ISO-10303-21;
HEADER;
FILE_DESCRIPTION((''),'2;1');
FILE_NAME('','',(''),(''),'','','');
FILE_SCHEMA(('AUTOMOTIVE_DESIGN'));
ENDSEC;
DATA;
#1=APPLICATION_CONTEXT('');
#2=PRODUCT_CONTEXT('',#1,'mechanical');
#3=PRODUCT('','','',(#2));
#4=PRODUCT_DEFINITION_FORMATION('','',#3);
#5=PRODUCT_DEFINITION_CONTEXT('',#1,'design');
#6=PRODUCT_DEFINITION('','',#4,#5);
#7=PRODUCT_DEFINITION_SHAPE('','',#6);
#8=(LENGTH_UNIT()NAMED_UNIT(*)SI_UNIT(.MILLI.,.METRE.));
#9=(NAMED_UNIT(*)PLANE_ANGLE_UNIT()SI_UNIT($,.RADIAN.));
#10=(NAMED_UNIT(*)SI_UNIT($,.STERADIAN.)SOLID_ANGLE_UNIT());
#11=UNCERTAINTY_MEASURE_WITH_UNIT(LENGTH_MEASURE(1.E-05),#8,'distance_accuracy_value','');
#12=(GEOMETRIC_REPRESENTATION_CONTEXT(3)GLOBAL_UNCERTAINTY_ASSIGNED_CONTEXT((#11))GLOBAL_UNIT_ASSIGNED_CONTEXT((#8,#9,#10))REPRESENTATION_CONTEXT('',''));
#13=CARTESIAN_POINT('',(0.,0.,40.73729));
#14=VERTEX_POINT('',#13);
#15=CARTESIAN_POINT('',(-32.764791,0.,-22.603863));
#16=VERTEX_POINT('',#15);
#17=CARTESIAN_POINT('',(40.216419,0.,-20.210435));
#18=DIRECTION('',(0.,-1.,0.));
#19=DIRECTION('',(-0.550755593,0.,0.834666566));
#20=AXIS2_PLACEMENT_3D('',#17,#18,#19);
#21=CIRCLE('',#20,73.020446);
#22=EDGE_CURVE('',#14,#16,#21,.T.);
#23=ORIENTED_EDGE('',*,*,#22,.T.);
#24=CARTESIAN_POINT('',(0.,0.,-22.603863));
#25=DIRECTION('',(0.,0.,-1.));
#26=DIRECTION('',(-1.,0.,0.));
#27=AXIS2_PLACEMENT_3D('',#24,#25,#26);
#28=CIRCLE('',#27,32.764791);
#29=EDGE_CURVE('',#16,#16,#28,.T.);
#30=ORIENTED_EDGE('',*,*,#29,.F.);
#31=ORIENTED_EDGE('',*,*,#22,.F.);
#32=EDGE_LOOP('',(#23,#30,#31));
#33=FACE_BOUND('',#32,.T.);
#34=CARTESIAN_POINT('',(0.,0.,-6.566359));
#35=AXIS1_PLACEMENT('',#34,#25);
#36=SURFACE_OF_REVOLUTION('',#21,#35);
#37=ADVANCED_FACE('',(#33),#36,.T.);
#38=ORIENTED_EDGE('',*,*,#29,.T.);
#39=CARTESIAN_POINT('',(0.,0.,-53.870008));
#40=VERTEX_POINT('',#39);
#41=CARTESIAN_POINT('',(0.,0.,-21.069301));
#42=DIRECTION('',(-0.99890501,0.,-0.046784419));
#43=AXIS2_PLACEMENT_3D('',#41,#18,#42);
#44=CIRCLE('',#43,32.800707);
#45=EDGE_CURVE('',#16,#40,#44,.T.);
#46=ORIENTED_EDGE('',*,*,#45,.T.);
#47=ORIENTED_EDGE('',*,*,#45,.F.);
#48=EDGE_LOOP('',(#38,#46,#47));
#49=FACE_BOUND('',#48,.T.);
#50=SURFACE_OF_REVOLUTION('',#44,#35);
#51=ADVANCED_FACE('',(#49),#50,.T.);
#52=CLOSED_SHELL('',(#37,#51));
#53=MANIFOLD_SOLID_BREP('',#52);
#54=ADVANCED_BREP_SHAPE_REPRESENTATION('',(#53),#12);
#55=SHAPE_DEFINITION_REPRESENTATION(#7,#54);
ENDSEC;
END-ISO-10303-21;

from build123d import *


with BuildPart() as f1:
    # F0 (on Front) → F1 (revolve)
    with BuildSketch(Plane.XZ):
        with BuildLine():
            Line((0, 40.73729), (-32.764791, -22.603863))
            ThreePointArc((-32.764791, -22.603863), (-22.644554, -44.799252), (0, -53.870008))
            Line((0, -53.870008), (0, 40.73729))
        make_face()
        with BuildLine():
            ThreePointArc((0, 40.73729), (-24.640741, 13.338549), (-32.764791, -22.603863))
            Line((-32.764791, -22.603863), (0, 40.73729))
        make_face()
    revolve(axis=Axis((0, 0, -6.566359), (0, 0, -1)))


solid = f1.part
